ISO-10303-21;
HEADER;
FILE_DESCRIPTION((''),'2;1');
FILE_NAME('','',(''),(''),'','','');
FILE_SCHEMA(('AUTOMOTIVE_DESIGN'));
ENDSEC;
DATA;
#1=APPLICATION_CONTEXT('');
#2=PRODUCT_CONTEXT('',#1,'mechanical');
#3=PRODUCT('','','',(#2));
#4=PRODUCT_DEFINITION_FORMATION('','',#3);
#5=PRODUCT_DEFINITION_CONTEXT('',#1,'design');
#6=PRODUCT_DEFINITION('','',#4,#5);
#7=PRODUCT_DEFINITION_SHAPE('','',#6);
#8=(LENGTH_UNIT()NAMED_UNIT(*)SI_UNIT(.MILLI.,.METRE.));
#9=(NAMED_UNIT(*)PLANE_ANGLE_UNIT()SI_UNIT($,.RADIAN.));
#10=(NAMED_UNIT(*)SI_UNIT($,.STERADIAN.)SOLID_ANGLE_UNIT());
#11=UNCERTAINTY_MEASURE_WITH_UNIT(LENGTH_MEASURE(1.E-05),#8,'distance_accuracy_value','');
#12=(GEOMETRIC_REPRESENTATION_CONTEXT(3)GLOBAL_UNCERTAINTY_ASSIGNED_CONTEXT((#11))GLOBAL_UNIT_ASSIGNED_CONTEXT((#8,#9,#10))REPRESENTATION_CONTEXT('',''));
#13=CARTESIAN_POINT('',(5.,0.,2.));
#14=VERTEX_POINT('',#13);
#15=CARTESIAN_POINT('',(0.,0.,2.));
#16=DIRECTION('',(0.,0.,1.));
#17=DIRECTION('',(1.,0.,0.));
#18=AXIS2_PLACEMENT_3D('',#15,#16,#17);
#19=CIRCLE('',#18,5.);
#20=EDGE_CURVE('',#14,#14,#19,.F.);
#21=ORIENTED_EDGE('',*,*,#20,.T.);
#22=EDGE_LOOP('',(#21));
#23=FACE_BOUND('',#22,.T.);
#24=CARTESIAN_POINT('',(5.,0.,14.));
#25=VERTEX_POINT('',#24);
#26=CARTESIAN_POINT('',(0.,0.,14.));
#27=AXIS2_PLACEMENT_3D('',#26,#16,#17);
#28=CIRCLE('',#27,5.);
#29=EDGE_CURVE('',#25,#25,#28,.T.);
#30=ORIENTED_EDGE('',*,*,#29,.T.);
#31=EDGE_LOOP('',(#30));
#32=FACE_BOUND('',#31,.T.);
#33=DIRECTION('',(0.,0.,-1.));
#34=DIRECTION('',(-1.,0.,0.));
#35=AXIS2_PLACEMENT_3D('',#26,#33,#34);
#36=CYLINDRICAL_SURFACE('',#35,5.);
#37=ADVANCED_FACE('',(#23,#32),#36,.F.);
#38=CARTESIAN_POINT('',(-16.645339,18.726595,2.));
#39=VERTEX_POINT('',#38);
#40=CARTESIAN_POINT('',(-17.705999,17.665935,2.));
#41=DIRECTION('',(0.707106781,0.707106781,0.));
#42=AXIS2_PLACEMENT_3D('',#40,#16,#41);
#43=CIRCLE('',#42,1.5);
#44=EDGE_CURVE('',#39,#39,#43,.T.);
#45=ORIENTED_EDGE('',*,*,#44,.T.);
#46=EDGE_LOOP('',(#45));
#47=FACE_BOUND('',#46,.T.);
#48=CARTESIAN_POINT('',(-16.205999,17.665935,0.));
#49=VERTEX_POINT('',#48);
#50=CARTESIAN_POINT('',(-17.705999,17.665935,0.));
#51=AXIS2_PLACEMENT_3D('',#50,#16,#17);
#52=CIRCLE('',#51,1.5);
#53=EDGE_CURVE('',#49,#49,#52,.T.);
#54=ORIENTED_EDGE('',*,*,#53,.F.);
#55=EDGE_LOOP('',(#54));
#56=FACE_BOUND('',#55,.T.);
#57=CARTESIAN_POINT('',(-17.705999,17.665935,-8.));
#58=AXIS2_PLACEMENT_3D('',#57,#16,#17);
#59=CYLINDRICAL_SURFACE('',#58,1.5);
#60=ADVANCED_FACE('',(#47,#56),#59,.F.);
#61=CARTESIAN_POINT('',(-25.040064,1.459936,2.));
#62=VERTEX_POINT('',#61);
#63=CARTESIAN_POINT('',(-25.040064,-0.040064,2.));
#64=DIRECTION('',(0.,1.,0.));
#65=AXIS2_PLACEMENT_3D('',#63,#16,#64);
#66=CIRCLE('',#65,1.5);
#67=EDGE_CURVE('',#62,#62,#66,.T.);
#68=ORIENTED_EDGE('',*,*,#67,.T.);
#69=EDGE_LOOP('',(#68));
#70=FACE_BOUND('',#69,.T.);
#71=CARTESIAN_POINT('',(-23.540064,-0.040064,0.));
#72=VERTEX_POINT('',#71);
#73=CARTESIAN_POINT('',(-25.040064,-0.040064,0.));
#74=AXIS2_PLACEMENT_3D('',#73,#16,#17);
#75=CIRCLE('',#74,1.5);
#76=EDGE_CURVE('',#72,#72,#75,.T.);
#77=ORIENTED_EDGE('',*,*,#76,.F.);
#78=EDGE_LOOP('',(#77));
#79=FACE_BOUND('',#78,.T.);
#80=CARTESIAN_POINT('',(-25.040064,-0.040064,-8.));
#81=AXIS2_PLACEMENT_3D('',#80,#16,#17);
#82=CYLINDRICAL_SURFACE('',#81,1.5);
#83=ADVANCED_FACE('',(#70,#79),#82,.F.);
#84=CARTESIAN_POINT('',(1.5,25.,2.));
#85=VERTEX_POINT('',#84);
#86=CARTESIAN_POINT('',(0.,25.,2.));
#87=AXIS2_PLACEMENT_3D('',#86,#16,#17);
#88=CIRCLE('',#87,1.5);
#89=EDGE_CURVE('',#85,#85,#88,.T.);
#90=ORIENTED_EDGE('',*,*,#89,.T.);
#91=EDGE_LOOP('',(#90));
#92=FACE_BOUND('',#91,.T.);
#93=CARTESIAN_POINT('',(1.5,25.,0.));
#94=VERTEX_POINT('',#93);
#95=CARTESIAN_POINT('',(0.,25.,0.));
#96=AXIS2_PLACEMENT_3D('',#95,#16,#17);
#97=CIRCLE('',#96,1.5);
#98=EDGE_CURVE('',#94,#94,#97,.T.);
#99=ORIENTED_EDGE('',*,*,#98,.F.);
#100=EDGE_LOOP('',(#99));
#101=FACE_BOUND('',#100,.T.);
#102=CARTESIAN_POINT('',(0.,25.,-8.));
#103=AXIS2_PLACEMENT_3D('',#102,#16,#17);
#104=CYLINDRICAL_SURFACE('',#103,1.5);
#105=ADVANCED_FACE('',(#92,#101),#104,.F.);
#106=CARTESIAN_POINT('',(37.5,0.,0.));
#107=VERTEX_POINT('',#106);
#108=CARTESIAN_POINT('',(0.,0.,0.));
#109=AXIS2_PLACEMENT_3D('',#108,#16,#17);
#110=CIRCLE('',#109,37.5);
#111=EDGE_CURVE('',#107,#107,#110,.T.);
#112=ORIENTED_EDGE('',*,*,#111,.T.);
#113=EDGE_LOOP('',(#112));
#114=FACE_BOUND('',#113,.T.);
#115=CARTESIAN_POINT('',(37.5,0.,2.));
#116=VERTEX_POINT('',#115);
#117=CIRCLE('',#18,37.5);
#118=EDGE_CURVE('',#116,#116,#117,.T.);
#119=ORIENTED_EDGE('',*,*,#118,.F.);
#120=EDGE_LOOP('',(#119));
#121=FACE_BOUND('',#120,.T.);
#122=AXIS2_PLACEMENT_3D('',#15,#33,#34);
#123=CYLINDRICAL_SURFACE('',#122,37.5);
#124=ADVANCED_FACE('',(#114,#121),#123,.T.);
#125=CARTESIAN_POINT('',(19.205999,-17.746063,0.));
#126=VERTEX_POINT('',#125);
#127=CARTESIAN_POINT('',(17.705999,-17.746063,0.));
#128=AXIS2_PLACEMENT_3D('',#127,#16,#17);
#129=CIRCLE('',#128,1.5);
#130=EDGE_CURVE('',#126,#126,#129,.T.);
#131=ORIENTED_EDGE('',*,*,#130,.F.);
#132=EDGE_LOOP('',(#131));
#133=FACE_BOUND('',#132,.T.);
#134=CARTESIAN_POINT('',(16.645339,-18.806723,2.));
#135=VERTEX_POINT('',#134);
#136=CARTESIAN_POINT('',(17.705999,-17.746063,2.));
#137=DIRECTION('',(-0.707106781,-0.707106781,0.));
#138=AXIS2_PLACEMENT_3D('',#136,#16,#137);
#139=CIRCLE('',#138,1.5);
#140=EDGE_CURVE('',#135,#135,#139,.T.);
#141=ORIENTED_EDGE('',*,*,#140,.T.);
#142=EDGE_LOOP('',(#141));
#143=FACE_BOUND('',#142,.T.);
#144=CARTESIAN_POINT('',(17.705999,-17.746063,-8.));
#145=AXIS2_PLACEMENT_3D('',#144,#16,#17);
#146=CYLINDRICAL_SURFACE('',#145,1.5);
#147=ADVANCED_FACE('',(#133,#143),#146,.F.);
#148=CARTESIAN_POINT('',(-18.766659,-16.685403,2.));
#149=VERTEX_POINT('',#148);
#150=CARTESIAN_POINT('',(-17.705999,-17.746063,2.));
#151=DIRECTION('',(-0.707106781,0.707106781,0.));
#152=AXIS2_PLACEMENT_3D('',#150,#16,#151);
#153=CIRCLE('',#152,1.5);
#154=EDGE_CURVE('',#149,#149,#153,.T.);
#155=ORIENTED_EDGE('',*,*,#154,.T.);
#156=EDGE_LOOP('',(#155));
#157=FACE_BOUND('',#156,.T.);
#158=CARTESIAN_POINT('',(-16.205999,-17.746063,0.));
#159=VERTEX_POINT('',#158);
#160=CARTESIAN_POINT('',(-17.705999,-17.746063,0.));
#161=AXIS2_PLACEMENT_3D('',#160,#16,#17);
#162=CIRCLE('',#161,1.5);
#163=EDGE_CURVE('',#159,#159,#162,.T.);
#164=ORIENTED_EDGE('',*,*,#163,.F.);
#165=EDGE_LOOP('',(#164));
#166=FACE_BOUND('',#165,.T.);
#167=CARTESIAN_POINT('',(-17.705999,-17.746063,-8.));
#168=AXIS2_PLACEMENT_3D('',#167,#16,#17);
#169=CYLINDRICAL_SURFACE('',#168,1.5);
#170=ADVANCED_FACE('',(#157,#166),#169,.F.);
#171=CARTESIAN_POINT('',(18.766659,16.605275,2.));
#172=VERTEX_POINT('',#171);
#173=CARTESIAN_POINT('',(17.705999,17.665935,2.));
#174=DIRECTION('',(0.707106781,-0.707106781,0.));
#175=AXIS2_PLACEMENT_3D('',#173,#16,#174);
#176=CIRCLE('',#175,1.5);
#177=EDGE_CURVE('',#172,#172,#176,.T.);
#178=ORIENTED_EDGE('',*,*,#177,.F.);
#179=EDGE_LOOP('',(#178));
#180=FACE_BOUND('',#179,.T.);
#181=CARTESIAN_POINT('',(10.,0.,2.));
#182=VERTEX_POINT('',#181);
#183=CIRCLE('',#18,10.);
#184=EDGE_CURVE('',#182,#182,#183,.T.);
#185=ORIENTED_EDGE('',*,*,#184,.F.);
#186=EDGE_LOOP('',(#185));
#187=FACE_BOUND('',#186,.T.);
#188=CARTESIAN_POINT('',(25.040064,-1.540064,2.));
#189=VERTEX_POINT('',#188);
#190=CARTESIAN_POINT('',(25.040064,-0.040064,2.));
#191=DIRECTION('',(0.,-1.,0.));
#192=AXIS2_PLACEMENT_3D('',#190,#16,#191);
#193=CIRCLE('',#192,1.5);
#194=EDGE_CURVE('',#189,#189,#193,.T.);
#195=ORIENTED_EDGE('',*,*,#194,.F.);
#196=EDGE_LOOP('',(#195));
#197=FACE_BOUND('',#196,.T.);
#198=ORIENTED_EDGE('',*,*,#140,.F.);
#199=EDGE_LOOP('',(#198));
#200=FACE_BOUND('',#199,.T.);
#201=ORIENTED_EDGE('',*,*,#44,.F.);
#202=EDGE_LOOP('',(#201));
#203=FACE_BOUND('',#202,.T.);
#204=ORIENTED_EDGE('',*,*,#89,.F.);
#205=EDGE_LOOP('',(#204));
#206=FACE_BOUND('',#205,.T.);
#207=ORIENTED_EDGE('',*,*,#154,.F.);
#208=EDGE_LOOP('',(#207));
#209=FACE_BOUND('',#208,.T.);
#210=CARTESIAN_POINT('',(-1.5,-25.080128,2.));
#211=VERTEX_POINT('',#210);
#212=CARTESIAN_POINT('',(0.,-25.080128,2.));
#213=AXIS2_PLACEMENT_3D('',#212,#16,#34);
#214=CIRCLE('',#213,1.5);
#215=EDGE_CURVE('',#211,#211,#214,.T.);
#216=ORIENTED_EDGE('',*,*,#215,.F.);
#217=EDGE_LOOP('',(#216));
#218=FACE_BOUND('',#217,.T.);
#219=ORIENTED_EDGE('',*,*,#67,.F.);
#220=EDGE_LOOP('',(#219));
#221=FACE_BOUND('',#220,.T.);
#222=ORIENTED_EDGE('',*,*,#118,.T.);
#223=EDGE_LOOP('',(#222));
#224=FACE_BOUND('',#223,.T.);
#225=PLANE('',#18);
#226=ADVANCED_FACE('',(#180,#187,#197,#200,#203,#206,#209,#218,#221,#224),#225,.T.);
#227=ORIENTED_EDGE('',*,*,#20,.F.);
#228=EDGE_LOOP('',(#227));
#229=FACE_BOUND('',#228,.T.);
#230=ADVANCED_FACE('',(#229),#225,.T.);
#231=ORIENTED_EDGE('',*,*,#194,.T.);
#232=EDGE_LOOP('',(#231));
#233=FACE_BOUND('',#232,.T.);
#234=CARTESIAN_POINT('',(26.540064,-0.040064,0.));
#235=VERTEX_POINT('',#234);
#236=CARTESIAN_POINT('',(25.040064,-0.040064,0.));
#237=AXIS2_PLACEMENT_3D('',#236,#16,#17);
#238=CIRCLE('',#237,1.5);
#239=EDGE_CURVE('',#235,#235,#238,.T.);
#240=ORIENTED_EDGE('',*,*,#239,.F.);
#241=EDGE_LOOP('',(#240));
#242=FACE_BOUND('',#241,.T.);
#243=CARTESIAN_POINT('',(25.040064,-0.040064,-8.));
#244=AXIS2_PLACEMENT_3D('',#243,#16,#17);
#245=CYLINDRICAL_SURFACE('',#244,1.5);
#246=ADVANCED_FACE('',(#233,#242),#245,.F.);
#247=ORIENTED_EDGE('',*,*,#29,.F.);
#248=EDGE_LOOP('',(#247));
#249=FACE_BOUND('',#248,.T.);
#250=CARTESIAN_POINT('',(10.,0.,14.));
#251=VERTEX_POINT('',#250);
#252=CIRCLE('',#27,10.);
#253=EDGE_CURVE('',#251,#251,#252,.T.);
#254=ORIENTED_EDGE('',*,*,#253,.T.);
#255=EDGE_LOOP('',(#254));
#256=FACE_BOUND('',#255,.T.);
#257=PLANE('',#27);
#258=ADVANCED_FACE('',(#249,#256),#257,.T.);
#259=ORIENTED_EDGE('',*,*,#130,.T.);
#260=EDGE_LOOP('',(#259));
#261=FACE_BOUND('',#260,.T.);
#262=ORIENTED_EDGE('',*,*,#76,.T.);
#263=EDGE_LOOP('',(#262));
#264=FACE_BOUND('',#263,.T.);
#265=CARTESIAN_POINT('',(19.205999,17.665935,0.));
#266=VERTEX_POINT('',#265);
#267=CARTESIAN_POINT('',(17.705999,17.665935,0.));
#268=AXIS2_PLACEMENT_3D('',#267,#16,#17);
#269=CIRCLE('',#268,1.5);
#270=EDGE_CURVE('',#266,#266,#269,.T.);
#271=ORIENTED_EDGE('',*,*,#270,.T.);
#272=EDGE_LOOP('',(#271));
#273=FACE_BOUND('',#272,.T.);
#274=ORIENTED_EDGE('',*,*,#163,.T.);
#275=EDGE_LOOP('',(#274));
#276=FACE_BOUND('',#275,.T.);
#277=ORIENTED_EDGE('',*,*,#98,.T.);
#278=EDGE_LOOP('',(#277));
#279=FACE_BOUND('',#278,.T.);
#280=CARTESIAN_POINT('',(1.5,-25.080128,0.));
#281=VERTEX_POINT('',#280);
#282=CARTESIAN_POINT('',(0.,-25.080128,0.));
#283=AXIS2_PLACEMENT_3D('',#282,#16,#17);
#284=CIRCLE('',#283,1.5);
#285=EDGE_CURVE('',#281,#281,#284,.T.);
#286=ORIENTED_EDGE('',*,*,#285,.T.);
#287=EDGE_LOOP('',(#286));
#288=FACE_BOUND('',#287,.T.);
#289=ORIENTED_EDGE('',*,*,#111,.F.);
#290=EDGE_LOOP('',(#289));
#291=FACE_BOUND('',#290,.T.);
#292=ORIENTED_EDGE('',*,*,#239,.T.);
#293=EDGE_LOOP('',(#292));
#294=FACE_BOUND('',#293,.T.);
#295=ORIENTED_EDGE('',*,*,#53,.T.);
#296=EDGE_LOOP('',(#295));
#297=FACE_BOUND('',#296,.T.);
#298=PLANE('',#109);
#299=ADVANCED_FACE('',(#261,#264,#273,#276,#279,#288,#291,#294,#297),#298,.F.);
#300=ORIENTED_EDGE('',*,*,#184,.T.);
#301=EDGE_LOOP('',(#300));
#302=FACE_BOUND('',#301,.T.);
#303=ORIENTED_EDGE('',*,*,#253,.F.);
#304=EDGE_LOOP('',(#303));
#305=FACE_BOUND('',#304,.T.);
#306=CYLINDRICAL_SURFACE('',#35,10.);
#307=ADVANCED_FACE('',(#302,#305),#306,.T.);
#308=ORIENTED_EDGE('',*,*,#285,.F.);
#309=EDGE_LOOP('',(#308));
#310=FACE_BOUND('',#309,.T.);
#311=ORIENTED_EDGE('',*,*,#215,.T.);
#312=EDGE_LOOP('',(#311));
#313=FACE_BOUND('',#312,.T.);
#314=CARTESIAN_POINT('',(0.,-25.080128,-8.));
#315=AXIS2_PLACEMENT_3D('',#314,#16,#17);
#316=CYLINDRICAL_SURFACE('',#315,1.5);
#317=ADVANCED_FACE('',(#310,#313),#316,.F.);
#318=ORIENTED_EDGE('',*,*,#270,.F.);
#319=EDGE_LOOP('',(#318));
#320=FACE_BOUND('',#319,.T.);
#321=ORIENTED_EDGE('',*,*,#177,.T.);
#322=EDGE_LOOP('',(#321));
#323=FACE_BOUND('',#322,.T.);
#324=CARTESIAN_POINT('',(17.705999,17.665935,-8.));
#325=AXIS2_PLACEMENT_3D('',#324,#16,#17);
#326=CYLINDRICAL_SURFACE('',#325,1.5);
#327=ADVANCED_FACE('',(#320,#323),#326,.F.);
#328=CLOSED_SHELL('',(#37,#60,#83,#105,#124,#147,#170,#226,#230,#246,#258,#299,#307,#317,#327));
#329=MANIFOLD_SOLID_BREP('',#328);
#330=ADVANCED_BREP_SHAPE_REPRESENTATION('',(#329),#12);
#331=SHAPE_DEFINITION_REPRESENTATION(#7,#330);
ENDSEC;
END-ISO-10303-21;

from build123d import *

# Parameters (mm, degrees)
SKETCH1_R           = 37.5
BOSS_EXTRUDE1_DEPTH = 2
SKETCH2_R           = 1.5
CUT_EXTRUDE1_DEPTH  = 10
CIRPATTERN1_COUNT   = 8
SKETCH3_R           = 10
SKETCH3_R_2         = 5
BOSS_EXTRUDE2_DEPTH = 12


with BuildPart() as part:
    # Sketch1 → Boss-Extrude1 (new body)
    with BuildSketch(Plane.XY):
        Circle(SKETCH1_R)
    extrude(amount=BOSS_EXTRUDE1_DEPTH)

    # Sketch2 → Cut-Extrude1 (cut)
    with BuildSketch(Plane.XY.offset(2)):
        with Locations((0, 25)):
            Circle(SKETCH2_R)
    cut_extrude1 = extrude(amount=-CUT_EXTRUDE1_DEPTH, mode=Mode.SUBTRACT)

    # CirPattern1: Cut-Extrude1 ×8 about axis
    cirpattern1_axis = Axis((0, -0.040064103, 0), (0, 0, 1))
    for i in range(1, CIRPATTERN1_COUNT):
        add(cut_extrude1.rotate(cirpattern1_axis, i * 360 / CIRPATTERN1_COUNT), mode=Mode.SUBTRACT)

    # Sketch3 → Boss-Extrude2 (add)
    with BuildSketch(Plane.XY.offset(2)):
        Circle(SKETCH3_R)
        Circle(SKETCH3_R_2, mode=Mode.SUBTRACT)
    extrude(amount=BOSS_EXTRUDE2_DEPTH)


solid = part.part
